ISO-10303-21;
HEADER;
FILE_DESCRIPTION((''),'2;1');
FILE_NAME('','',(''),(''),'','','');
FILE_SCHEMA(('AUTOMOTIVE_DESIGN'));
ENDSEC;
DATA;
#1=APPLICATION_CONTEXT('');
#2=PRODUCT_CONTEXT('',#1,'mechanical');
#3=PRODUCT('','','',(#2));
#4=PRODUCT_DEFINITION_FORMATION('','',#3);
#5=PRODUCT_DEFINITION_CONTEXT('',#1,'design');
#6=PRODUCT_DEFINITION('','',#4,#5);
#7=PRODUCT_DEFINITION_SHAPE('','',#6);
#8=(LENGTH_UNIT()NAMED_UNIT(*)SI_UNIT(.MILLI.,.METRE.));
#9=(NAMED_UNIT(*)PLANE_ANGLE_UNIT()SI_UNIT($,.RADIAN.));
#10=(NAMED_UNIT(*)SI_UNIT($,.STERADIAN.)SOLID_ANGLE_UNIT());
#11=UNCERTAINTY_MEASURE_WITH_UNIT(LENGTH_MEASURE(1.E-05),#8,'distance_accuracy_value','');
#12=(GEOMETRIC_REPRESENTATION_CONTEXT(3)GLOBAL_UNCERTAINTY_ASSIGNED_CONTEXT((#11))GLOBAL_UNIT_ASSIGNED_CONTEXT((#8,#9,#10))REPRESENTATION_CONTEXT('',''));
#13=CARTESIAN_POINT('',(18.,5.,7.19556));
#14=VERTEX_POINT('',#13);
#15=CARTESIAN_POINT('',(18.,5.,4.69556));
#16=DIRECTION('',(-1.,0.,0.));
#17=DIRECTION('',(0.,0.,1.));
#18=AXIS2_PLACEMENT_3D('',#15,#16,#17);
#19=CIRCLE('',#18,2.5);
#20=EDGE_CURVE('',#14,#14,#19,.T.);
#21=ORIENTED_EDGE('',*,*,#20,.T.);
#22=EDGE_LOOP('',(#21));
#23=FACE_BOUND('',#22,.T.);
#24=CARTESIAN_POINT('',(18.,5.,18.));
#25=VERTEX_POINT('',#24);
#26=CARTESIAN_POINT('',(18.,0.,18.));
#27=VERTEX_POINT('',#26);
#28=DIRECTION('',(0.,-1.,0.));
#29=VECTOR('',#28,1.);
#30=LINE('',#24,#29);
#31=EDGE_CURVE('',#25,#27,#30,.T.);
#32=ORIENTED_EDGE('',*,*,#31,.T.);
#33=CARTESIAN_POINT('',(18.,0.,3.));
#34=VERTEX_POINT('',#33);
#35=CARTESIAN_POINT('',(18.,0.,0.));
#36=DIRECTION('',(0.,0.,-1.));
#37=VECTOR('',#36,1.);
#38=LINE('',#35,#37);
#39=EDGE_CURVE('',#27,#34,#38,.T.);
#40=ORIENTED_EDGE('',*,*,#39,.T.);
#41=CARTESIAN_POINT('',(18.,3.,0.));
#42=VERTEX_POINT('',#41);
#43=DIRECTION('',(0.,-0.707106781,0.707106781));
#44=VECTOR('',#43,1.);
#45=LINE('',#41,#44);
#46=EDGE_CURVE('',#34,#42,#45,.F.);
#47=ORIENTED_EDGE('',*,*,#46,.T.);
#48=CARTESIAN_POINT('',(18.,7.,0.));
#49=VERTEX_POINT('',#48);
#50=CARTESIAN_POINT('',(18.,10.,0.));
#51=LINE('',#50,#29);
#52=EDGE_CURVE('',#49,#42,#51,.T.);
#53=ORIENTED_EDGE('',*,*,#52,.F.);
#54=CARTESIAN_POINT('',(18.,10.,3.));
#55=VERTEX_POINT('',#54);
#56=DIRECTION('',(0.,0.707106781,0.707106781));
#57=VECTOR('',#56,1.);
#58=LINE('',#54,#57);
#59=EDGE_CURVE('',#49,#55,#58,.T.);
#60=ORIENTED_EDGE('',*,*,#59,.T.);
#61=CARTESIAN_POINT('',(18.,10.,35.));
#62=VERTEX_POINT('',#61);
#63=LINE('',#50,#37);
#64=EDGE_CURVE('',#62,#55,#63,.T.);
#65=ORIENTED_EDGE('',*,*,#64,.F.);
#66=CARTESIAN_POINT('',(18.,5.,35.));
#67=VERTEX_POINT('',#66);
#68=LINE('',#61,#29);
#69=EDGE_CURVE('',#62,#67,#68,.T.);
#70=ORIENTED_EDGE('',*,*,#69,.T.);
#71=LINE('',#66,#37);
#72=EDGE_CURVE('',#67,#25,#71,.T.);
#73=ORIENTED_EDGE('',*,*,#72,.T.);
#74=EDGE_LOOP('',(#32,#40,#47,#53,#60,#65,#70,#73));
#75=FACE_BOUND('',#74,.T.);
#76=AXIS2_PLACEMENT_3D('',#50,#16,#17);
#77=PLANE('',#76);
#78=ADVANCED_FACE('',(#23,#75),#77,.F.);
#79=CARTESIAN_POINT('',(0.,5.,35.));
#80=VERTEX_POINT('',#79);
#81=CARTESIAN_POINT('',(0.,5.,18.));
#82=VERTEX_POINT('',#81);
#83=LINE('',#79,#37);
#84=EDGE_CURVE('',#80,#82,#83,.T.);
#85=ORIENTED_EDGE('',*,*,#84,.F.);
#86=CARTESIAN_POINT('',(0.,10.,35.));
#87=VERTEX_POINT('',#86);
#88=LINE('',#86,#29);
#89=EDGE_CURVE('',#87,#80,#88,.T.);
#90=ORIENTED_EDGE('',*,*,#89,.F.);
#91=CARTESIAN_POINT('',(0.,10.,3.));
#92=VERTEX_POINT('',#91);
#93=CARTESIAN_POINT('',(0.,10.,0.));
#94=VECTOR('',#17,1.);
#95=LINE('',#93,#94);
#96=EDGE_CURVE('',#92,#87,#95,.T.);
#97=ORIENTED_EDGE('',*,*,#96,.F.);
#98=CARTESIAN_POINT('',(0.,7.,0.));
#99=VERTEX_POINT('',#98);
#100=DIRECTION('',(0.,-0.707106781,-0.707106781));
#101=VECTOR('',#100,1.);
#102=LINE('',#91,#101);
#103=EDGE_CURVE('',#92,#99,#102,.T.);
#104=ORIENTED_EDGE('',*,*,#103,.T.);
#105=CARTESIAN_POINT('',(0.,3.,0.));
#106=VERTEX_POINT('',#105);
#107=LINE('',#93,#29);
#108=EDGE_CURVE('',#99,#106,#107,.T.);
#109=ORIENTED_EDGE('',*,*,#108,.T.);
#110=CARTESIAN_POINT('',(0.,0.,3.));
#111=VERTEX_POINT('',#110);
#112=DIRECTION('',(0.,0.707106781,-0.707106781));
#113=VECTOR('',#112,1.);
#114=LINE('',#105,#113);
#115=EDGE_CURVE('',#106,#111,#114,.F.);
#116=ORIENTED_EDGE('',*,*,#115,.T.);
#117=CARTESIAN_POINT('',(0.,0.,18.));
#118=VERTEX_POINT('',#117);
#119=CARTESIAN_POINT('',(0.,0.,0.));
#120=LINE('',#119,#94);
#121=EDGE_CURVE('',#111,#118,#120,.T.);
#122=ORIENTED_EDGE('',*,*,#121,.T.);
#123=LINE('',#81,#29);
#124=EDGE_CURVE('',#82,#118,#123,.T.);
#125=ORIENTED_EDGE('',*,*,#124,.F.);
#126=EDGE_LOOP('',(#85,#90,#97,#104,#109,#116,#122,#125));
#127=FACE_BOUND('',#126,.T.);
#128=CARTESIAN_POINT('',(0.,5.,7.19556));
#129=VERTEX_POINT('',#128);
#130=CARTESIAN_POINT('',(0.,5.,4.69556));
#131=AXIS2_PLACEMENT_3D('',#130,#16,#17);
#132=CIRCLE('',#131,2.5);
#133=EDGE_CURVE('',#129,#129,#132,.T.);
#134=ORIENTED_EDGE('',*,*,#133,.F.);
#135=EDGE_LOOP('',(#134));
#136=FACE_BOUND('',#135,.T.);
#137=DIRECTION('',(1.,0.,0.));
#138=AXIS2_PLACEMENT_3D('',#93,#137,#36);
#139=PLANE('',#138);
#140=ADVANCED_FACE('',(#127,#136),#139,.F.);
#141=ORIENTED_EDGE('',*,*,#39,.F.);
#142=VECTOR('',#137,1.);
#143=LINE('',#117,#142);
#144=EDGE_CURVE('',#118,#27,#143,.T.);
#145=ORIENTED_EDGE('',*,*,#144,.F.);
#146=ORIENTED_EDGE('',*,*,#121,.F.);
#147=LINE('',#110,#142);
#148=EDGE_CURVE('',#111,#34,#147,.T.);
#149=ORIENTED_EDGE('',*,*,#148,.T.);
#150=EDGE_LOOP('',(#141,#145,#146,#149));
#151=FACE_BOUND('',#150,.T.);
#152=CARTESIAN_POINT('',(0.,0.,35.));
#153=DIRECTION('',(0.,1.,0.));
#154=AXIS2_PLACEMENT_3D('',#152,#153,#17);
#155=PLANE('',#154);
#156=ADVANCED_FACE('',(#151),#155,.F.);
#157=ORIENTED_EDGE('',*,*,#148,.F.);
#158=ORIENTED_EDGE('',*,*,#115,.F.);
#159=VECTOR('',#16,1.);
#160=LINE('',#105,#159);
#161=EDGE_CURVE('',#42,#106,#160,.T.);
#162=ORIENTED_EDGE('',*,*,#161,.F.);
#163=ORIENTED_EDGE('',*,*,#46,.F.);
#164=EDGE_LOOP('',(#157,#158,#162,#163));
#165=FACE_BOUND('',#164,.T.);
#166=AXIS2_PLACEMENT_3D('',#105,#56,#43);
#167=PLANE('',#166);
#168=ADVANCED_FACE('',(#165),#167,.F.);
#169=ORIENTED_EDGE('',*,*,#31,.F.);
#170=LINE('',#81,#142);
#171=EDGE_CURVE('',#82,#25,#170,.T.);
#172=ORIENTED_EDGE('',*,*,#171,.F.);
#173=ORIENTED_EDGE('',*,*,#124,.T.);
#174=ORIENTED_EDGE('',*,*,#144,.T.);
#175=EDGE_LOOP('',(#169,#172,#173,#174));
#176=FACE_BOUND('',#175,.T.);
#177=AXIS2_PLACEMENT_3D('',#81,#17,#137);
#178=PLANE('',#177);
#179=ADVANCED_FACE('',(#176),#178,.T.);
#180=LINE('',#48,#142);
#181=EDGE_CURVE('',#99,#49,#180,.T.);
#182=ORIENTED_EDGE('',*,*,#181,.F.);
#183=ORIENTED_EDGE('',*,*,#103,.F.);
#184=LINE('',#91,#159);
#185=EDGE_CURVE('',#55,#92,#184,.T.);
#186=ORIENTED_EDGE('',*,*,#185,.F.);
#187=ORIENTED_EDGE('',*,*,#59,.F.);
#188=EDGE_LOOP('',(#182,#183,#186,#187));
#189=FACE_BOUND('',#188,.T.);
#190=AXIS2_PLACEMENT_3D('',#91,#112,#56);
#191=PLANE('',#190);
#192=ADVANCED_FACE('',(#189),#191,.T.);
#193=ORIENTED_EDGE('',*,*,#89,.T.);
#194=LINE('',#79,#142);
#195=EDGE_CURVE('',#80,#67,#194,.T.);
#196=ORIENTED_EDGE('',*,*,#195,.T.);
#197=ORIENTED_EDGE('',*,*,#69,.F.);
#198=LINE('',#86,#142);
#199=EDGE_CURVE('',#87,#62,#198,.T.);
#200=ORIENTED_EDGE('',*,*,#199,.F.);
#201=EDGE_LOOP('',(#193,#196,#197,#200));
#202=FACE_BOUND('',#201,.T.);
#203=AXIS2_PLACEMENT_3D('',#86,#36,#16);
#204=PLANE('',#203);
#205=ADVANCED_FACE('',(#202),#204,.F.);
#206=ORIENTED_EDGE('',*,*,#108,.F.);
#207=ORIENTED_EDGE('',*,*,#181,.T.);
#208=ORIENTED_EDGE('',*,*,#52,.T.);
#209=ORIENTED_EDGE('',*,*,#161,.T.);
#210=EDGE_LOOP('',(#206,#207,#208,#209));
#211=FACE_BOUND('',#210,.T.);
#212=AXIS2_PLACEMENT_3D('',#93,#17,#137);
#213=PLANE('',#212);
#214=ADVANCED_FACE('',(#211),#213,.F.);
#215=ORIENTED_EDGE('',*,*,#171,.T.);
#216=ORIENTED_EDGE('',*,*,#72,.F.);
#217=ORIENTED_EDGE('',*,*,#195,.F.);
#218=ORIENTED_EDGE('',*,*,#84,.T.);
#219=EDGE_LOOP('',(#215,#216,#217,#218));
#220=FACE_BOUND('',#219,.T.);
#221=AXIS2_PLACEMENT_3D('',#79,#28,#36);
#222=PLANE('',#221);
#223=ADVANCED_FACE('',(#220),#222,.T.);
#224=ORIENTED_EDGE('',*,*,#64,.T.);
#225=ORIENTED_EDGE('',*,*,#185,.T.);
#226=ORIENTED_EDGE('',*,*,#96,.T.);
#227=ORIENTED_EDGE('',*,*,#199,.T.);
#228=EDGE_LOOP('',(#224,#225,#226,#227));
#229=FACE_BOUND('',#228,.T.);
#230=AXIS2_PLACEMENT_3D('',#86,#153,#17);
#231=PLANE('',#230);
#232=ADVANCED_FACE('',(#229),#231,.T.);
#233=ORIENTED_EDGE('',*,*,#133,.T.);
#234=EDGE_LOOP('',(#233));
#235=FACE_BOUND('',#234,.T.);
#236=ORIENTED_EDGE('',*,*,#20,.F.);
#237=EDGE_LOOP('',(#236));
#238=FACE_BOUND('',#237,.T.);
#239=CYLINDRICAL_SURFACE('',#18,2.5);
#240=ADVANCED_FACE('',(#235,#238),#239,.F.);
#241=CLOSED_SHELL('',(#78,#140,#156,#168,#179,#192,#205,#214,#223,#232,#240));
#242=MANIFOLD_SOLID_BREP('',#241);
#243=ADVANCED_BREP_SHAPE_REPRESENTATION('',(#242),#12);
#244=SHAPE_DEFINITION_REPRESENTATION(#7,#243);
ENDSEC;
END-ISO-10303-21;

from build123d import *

# Parameters (mm, degrees)
SKETCH_1_W          = 18
SKETCH_1_H          = 35
EXTRUDE_1_DEPTH     = 10
SKETCH_2_W          = 17
SKETCH_2_H          = 5
CUT_EXTRUDE_2_DEPTH = 41.607881008
SKETCH_3_R          = 2.5
CUT_EXTRUDE_1_DEPTH = 41.607881008
CHAMFER_1_SIZE      = 3


with BuildPart() as part:
    # Эскиз1 → Вытянуть1 (new body)
    with BuildSketch(Plane(origin=(0, 0, 0), x_dir=(1, 0, 0), z_dir=(0, 1, 0))):
        with Locations((9, -17.5)):
            Rectangle(SKETCH_1_W, SKETCH_1_H)
    extrude(amount=EXTRUDE_1_DEPTH)

    # Эскиз2 → Вытянуть2 (cut, through all)
    with BuildSketch(Plane(origin=(18, 0, 0), x_dir=(0, 0, -1), z_dir=(1, 0, 0))):
        with Locations((-26.5, 2.5)):
            Rectangle(SKETCH_2_W, SKETCH_2_H)
    extrude(amount=-CUT_EXTRUDE_2_DEPTH, mode=Mode.SUBTRACT)

    # Эскиз3 → Вырез-Вытянуть1 (cut, through all)
    with BuildSketch(Plane.ZY):
        with Locations((4.695559751, 5)):
            Circle(SKETCH_3_R)
    extrude(amount=-CUT_EXTRUDE_1_DEPTH, mode=Mode.SUBTRACT)

    # Фаска1
    chamfer_1_edges = [part.edges().sort_by_distance(p)[0] for p in [
        (9, 10, 0),
        (9, 0, 0),
    ]]
    chamfer(chamfer_1_edges, length=CHAMFER_1_SIZE)


solid = part.part
